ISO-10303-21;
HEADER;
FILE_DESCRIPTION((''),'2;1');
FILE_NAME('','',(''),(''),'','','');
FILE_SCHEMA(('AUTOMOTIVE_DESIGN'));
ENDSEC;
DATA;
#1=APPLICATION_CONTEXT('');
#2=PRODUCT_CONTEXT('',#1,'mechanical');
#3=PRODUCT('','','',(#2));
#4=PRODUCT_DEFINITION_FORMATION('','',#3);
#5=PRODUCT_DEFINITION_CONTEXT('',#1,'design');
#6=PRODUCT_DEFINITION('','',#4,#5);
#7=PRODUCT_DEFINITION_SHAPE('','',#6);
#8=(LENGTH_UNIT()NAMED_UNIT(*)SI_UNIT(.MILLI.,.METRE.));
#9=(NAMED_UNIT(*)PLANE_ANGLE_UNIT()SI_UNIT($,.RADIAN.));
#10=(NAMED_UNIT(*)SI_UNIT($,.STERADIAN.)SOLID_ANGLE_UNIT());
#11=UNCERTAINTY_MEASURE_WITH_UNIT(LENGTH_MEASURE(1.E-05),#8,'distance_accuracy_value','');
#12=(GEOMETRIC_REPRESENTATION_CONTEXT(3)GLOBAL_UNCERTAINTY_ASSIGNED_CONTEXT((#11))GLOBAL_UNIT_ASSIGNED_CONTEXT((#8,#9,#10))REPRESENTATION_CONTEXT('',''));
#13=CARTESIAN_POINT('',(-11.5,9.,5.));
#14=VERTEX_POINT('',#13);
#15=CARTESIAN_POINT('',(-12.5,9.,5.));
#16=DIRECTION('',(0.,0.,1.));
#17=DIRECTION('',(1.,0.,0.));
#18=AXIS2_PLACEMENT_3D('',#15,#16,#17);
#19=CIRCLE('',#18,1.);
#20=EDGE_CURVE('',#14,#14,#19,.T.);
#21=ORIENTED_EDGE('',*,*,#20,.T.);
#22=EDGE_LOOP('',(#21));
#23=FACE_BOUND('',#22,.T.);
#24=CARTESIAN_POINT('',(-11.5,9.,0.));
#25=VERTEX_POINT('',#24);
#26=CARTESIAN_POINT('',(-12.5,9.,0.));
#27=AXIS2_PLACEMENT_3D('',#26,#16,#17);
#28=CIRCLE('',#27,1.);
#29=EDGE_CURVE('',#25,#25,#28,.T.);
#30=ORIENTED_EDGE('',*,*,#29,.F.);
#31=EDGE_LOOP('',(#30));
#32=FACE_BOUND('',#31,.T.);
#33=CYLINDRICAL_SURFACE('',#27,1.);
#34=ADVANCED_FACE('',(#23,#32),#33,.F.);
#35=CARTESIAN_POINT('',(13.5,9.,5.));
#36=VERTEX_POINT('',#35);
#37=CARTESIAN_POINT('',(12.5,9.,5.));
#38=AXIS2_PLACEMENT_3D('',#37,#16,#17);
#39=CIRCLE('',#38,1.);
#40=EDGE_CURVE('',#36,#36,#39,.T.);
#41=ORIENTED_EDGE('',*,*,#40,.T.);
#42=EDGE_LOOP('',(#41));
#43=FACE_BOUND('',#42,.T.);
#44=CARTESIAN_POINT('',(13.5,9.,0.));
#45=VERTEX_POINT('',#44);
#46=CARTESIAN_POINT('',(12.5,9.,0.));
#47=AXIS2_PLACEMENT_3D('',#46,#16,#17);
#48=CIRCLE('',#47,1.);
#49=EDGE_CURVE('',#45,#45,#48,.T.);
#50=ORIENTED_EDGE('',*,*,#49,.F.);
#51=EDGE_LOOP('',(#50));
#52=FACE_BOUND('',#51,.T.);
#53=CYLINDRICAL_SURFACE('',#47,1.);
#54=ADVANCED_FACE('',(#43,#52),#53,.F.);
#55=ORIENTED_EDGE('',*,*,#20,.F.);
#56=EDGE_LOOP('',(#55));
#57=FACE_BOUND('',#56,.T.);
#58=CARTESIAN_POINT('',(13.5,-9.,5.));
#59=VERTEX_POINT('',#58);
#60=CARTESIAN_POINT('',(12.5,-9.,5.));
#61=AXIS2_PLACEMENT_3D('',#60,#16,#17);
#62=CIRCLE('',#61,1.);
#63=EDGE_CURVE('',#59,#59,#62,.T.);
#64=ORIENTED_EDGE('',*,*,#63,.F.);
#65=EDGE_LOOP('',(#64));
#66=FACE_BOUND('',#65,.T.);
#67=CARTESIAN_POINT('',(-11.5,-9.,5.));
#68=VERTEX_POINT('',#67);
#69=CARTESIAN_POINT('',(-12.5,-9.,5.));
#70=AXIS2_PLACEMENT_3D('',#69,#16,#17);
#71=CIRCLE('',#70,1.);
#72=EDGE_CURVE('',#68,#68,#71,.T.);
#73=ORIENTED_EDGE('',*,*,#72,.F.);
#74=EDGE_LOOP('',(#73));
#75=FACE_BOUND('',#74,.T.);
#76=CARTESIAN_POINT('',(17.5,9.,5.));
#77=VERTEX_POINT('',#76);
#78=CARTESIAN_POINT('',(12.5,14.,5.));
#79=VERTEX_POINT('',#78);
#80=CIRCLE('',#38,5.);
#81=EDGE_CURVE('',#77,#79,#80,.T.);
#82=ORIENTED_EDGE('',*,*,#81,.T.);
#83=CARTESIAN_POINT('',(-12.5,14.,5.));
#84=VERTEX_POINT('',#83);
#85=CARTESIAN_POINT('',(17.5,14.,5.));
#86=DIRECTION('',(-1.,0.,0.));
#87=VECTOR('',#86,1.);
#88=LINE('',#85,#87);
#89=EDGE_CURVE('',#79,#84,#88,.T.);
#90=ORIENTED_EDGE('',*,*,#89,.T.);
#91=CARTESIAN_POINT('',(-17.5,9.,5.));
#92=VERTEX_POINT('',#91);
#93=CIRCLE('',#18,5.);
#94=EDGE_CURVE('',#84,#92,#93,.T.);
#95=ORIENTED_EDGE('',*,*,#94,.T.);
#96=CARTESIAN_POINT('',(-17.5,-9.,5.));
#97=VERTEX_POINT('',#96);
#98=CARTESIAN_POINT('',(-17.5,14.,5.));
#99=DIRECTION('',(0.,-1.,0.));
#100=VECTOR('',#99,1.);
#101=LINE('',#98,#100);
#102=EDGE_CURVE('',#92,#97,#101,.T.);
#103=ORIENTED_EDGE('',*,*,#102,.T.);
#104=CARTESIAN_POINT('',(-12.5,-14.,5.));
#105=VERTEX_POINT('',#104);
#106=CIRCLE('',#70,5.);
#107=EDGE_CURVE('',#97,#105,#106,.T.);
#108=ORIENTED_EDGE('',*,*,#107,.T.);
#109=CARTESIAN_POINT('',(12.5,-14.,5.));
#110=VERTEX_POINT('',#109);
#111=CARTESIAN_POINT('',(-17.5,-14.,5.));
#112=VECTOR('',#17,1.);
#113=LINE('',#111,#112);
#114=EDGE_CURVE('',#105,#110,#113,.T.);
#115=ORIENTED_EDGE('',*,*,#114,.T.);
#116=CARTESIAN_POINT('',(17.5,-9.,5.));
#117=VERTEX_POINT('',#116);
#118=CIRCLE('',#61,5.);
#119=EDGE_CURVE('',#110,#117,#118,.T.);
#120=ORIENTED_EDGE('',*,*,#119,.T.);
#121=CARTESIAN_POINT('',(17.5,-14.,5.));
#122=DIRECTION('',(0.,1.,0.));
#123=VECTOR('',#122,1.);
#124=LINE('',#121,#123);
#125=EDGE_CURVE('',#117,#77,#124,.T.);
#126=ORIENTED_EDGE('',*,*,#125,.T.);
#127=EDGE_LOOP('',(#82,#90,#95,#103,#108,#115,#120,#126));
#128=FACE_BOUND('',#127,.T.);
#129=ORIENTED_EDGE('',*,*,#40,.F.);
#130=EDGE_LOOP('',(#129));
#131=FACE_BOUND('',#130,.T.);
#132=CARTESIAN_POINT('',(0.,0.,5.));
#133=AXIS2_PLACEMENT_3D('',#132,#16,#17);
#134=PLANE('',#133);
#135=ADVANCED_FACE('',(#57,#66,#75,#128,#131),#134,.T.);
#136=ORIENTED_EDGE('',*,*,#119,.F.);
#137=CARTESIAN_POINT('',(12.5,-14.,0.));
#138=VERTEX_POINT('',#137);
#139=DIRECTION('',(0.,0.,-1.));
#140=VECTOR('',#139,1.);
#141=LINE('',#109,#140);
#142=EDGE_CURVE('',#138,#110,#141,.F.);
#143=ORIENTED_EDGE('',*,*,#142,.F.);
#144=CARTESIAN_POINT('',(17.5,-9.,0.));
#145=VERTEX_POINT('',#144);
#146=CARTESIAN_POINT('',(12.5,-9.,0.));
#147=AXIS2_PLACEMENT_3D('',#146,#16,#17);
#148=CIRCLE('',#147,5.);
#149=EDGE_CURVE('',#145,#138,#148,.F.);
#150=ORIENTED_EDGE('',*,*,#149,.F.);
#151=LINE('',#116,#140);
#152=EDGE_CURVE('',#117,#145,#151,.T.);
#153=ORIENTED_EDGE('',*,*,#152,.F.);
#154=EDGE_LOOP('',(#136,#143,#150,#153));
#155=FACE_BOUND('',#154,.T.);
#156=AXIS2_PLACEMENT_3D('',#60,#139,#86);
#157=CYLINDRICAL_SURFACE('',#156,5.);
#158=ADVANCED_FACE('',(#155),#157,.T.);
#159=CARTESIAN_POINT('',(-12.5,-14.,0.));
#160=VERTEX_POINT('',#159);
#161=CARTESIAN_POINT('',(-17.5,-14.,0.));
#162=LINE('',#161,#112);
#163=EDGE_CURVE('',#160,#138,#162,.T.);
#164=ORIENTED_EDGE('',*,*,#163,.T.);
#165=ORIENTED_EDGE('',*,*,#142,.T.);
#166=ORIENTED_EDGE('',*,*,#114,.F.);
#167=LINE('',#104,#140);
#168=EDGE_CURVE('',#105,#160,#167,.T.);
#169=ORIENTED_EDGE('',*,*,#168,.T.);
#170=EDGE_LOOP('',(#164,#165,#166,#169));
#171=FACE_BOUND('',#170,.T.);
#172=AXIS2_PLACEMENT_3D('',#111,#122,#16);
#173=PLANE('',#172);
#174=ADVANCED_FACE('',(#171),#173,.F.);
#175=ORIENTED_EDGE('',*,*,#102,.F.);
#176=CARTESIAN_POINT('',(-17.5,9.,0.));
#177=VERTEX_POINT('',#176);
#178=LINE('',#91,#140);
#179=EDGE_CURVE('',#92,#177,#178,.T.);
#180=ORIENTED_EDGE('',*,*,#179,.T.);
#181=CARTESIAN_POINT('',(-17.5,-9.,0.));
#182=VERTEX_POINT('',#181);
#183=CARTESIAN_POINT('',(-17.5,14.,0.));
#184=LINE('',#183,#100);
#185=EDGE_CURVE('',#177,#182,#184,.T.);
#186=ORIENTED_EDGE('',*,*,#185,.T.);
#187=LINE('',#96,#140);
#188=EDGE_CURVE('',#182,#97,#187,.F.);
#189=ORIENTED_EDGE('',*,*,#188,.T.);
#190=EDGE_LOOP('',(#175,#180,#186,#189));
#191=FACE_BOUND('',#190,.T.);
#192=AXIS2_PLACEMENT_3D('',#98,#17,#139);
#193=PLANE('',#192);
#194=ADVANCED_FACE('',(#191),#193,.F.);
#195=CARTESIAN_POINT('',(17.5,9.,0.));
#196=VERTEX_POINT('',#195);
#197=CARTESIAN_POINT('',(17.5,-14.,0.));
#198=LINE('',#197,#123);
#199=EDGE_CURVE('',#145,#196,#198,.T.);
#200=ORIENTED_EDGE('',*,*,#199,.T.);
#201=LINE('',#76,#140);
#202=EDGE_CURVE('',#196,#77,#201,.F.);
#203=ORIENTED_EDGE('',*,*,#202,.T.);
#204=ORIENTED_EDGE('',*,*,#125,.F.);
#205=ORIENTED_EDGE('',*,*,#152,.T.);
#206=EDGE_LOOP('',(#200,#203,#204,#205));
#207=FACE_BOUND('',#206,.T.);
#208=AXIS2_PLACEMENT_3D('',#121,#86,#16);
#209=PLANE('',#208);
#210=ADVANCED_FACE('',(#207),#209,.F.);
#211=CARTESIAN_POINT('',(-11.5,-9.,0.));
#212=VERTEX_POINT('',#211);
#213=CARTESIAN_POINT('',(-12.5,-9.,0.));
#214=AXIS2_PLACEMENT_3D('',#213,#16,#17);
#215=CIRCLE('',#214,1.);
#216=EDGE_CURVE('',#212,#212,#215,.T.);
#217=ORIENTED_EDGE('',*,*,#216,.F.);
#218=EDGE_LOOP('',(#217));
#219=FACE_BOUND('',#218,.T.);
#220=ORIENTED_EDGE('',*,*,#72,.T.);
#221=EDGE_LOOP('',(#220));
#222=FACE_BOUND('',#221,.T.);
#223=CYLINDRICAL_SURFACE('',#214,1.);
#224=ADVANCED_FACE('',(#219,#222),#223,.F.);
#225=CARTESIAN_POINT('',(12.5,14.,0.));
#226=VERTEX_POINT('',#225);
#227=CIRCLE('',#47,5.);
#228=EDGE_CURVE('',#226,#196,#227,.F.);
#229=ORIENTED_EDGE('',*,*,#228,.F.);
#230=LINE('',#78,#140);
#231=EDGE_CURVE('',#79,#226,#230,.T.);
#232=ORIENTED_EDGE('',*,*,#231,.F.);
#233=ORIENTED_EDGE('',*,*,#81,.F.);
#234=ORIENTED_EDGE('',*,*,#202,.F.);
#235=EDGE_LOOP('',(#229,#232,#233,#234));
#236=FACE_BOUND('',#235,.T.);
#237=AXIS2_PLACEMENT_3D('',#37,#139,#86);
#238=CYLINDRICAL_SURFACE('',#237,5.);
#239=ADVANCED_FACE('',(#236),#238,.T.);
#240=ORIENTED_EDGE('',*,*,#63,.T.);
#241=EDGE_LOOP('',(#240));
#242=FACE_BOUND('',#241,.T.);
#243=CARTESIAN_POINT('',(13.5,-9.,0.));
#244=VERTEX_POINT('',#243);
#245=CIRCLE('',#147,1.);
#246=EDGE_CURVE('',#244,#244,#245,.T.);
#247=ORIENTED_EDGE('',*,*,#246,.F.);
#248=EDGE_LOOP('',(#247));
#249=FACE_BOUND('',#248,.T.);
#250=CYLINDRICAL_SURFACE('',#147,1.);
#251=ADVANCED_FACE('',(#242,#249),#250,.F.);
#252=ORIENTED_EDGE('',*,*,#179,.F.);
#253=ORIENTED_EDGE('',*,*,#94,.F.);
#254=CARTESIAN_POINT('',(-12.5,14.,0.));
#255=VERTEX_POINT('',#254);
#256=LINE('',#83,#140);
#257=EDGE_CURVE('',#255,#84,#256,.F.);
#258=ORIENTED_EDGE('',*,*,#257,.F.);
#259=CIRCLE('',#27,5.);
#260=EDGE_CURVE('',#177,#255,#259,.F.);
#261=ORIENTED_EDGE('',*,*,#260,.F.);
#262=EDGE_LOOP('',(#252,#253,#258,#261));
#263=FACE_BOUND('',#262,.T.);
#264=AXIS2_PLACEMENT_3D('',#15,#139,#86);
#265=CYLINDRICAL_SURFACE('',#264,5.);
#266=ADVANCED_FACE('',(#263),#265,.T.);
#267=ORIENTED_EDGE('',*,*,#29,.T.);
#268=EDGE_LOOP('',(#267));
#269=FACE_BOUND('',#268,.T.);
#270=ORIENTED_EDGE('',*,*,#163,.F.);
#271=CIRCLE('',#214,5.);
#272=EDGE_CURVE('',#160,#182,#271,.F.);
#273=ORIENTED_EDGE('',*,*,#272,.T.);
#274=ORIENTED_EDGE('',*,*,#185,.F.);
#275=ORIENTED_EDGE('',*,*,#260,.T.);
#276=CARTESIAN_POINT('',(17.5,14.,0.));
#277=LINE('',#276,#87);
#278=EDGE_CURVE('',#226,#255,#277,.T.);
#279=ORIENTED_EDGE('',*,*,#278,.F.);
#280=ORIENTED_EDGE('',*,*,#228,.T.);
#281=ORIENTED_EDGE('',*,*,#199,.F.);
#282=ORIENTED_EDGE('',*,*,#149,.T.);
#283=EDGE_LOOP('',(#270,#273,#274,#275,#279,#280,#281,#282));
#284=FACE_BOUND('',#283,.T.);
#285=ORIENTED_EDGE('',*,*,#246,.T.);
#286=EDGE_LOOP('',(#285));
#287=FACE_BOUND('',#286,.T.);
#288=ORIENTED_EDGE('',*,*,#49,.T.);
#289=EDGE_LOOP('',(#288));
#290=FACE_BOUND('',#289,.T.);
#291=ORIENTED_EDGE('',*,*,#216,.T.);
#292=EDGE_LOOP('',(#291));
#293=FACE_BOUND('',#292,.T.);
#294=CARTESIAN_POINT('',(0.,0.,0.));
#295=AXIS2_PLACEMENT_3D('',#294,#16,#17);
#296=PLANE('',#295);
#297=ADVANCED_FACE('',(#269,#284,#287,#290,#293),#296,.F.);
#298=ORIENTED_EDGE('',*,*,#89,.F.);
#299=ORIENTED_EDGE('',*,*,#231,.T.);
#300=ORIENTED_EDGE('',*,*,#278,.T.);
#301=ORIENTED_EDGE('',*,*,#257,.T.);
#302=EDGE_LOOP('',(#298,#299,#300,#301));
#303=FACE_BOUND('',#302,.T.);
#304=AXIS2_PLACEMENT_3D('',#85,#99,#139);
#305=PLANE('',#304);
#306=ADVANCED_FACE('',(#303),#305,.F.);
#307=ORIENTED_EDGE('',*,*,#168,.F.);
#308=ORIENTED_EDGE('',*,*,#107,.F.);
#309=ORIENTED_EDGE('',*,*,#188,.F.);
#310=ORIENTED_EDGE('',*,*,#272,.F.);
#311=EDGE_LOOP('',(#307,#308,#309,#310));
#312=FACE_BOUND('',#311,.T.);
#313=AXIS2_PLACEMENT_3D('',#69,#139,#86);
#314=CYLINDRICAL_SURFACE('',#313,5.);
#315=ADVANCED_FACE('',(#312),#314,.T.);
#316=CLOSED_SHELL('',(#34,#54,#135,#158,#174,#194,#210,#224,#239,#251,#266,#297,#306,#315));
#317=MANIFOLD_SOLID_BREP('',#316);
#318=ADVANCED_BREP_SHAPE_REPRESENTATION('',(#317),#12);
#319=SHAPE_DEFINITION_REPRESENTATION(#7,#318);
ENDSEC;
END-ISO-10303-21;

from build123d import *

# Parameters (mm, degrees)
SKETCH1_W           = 35
SKETCH1_H           = 28
BOSS_EXTRUDE1_DEPTH = 5
FILLET1_R           = 5
SKETCH2_R           = 1
CUT_EXTRUDE1_DEPTH  = 23.961925006


with BuildPart() as part:
    # Sketch1 → Boss-Extrude1 (new body)
    with BuildSketch(Plane.XY):
        Rectangle(SKETCH1_W, SKETCH1_H)
    extrude(amount=BOSS_EXTRUDE1_DEPTH)

    # Fillet1
    fillet1_edges = [part.edges().sort_by_distance(p)[0] for p in [
        (17.5, 14, 2.5),
        (17.5, -14, 2.5),
        (-17.5, -14, 2.5),
        (-17.5, 14, 2.5),
    ]]
    fillet(fillet1_edges, radius=FILLET1_R)

    # Sketch2 → Cut-Extrude1 (cut, through all)
    with BuildSketch(Plane.XY.offset(5)):
        with Locations((-12.5, -9)):
            Circle(SKETCH2_R)
        with Locations((-12.5, 9)):
            Circle(SKETCH2_R)
        with Locations((12.5, 9)):
            Circle(SKETCH2_R)
        with Locations((12.5, -9)):
            Circle(SKETCH2_R)
    extrude(amount=-CUT_EXTRUDE1_DEPTH, mode=Mode.SUBTRACT)


solid = part.part
